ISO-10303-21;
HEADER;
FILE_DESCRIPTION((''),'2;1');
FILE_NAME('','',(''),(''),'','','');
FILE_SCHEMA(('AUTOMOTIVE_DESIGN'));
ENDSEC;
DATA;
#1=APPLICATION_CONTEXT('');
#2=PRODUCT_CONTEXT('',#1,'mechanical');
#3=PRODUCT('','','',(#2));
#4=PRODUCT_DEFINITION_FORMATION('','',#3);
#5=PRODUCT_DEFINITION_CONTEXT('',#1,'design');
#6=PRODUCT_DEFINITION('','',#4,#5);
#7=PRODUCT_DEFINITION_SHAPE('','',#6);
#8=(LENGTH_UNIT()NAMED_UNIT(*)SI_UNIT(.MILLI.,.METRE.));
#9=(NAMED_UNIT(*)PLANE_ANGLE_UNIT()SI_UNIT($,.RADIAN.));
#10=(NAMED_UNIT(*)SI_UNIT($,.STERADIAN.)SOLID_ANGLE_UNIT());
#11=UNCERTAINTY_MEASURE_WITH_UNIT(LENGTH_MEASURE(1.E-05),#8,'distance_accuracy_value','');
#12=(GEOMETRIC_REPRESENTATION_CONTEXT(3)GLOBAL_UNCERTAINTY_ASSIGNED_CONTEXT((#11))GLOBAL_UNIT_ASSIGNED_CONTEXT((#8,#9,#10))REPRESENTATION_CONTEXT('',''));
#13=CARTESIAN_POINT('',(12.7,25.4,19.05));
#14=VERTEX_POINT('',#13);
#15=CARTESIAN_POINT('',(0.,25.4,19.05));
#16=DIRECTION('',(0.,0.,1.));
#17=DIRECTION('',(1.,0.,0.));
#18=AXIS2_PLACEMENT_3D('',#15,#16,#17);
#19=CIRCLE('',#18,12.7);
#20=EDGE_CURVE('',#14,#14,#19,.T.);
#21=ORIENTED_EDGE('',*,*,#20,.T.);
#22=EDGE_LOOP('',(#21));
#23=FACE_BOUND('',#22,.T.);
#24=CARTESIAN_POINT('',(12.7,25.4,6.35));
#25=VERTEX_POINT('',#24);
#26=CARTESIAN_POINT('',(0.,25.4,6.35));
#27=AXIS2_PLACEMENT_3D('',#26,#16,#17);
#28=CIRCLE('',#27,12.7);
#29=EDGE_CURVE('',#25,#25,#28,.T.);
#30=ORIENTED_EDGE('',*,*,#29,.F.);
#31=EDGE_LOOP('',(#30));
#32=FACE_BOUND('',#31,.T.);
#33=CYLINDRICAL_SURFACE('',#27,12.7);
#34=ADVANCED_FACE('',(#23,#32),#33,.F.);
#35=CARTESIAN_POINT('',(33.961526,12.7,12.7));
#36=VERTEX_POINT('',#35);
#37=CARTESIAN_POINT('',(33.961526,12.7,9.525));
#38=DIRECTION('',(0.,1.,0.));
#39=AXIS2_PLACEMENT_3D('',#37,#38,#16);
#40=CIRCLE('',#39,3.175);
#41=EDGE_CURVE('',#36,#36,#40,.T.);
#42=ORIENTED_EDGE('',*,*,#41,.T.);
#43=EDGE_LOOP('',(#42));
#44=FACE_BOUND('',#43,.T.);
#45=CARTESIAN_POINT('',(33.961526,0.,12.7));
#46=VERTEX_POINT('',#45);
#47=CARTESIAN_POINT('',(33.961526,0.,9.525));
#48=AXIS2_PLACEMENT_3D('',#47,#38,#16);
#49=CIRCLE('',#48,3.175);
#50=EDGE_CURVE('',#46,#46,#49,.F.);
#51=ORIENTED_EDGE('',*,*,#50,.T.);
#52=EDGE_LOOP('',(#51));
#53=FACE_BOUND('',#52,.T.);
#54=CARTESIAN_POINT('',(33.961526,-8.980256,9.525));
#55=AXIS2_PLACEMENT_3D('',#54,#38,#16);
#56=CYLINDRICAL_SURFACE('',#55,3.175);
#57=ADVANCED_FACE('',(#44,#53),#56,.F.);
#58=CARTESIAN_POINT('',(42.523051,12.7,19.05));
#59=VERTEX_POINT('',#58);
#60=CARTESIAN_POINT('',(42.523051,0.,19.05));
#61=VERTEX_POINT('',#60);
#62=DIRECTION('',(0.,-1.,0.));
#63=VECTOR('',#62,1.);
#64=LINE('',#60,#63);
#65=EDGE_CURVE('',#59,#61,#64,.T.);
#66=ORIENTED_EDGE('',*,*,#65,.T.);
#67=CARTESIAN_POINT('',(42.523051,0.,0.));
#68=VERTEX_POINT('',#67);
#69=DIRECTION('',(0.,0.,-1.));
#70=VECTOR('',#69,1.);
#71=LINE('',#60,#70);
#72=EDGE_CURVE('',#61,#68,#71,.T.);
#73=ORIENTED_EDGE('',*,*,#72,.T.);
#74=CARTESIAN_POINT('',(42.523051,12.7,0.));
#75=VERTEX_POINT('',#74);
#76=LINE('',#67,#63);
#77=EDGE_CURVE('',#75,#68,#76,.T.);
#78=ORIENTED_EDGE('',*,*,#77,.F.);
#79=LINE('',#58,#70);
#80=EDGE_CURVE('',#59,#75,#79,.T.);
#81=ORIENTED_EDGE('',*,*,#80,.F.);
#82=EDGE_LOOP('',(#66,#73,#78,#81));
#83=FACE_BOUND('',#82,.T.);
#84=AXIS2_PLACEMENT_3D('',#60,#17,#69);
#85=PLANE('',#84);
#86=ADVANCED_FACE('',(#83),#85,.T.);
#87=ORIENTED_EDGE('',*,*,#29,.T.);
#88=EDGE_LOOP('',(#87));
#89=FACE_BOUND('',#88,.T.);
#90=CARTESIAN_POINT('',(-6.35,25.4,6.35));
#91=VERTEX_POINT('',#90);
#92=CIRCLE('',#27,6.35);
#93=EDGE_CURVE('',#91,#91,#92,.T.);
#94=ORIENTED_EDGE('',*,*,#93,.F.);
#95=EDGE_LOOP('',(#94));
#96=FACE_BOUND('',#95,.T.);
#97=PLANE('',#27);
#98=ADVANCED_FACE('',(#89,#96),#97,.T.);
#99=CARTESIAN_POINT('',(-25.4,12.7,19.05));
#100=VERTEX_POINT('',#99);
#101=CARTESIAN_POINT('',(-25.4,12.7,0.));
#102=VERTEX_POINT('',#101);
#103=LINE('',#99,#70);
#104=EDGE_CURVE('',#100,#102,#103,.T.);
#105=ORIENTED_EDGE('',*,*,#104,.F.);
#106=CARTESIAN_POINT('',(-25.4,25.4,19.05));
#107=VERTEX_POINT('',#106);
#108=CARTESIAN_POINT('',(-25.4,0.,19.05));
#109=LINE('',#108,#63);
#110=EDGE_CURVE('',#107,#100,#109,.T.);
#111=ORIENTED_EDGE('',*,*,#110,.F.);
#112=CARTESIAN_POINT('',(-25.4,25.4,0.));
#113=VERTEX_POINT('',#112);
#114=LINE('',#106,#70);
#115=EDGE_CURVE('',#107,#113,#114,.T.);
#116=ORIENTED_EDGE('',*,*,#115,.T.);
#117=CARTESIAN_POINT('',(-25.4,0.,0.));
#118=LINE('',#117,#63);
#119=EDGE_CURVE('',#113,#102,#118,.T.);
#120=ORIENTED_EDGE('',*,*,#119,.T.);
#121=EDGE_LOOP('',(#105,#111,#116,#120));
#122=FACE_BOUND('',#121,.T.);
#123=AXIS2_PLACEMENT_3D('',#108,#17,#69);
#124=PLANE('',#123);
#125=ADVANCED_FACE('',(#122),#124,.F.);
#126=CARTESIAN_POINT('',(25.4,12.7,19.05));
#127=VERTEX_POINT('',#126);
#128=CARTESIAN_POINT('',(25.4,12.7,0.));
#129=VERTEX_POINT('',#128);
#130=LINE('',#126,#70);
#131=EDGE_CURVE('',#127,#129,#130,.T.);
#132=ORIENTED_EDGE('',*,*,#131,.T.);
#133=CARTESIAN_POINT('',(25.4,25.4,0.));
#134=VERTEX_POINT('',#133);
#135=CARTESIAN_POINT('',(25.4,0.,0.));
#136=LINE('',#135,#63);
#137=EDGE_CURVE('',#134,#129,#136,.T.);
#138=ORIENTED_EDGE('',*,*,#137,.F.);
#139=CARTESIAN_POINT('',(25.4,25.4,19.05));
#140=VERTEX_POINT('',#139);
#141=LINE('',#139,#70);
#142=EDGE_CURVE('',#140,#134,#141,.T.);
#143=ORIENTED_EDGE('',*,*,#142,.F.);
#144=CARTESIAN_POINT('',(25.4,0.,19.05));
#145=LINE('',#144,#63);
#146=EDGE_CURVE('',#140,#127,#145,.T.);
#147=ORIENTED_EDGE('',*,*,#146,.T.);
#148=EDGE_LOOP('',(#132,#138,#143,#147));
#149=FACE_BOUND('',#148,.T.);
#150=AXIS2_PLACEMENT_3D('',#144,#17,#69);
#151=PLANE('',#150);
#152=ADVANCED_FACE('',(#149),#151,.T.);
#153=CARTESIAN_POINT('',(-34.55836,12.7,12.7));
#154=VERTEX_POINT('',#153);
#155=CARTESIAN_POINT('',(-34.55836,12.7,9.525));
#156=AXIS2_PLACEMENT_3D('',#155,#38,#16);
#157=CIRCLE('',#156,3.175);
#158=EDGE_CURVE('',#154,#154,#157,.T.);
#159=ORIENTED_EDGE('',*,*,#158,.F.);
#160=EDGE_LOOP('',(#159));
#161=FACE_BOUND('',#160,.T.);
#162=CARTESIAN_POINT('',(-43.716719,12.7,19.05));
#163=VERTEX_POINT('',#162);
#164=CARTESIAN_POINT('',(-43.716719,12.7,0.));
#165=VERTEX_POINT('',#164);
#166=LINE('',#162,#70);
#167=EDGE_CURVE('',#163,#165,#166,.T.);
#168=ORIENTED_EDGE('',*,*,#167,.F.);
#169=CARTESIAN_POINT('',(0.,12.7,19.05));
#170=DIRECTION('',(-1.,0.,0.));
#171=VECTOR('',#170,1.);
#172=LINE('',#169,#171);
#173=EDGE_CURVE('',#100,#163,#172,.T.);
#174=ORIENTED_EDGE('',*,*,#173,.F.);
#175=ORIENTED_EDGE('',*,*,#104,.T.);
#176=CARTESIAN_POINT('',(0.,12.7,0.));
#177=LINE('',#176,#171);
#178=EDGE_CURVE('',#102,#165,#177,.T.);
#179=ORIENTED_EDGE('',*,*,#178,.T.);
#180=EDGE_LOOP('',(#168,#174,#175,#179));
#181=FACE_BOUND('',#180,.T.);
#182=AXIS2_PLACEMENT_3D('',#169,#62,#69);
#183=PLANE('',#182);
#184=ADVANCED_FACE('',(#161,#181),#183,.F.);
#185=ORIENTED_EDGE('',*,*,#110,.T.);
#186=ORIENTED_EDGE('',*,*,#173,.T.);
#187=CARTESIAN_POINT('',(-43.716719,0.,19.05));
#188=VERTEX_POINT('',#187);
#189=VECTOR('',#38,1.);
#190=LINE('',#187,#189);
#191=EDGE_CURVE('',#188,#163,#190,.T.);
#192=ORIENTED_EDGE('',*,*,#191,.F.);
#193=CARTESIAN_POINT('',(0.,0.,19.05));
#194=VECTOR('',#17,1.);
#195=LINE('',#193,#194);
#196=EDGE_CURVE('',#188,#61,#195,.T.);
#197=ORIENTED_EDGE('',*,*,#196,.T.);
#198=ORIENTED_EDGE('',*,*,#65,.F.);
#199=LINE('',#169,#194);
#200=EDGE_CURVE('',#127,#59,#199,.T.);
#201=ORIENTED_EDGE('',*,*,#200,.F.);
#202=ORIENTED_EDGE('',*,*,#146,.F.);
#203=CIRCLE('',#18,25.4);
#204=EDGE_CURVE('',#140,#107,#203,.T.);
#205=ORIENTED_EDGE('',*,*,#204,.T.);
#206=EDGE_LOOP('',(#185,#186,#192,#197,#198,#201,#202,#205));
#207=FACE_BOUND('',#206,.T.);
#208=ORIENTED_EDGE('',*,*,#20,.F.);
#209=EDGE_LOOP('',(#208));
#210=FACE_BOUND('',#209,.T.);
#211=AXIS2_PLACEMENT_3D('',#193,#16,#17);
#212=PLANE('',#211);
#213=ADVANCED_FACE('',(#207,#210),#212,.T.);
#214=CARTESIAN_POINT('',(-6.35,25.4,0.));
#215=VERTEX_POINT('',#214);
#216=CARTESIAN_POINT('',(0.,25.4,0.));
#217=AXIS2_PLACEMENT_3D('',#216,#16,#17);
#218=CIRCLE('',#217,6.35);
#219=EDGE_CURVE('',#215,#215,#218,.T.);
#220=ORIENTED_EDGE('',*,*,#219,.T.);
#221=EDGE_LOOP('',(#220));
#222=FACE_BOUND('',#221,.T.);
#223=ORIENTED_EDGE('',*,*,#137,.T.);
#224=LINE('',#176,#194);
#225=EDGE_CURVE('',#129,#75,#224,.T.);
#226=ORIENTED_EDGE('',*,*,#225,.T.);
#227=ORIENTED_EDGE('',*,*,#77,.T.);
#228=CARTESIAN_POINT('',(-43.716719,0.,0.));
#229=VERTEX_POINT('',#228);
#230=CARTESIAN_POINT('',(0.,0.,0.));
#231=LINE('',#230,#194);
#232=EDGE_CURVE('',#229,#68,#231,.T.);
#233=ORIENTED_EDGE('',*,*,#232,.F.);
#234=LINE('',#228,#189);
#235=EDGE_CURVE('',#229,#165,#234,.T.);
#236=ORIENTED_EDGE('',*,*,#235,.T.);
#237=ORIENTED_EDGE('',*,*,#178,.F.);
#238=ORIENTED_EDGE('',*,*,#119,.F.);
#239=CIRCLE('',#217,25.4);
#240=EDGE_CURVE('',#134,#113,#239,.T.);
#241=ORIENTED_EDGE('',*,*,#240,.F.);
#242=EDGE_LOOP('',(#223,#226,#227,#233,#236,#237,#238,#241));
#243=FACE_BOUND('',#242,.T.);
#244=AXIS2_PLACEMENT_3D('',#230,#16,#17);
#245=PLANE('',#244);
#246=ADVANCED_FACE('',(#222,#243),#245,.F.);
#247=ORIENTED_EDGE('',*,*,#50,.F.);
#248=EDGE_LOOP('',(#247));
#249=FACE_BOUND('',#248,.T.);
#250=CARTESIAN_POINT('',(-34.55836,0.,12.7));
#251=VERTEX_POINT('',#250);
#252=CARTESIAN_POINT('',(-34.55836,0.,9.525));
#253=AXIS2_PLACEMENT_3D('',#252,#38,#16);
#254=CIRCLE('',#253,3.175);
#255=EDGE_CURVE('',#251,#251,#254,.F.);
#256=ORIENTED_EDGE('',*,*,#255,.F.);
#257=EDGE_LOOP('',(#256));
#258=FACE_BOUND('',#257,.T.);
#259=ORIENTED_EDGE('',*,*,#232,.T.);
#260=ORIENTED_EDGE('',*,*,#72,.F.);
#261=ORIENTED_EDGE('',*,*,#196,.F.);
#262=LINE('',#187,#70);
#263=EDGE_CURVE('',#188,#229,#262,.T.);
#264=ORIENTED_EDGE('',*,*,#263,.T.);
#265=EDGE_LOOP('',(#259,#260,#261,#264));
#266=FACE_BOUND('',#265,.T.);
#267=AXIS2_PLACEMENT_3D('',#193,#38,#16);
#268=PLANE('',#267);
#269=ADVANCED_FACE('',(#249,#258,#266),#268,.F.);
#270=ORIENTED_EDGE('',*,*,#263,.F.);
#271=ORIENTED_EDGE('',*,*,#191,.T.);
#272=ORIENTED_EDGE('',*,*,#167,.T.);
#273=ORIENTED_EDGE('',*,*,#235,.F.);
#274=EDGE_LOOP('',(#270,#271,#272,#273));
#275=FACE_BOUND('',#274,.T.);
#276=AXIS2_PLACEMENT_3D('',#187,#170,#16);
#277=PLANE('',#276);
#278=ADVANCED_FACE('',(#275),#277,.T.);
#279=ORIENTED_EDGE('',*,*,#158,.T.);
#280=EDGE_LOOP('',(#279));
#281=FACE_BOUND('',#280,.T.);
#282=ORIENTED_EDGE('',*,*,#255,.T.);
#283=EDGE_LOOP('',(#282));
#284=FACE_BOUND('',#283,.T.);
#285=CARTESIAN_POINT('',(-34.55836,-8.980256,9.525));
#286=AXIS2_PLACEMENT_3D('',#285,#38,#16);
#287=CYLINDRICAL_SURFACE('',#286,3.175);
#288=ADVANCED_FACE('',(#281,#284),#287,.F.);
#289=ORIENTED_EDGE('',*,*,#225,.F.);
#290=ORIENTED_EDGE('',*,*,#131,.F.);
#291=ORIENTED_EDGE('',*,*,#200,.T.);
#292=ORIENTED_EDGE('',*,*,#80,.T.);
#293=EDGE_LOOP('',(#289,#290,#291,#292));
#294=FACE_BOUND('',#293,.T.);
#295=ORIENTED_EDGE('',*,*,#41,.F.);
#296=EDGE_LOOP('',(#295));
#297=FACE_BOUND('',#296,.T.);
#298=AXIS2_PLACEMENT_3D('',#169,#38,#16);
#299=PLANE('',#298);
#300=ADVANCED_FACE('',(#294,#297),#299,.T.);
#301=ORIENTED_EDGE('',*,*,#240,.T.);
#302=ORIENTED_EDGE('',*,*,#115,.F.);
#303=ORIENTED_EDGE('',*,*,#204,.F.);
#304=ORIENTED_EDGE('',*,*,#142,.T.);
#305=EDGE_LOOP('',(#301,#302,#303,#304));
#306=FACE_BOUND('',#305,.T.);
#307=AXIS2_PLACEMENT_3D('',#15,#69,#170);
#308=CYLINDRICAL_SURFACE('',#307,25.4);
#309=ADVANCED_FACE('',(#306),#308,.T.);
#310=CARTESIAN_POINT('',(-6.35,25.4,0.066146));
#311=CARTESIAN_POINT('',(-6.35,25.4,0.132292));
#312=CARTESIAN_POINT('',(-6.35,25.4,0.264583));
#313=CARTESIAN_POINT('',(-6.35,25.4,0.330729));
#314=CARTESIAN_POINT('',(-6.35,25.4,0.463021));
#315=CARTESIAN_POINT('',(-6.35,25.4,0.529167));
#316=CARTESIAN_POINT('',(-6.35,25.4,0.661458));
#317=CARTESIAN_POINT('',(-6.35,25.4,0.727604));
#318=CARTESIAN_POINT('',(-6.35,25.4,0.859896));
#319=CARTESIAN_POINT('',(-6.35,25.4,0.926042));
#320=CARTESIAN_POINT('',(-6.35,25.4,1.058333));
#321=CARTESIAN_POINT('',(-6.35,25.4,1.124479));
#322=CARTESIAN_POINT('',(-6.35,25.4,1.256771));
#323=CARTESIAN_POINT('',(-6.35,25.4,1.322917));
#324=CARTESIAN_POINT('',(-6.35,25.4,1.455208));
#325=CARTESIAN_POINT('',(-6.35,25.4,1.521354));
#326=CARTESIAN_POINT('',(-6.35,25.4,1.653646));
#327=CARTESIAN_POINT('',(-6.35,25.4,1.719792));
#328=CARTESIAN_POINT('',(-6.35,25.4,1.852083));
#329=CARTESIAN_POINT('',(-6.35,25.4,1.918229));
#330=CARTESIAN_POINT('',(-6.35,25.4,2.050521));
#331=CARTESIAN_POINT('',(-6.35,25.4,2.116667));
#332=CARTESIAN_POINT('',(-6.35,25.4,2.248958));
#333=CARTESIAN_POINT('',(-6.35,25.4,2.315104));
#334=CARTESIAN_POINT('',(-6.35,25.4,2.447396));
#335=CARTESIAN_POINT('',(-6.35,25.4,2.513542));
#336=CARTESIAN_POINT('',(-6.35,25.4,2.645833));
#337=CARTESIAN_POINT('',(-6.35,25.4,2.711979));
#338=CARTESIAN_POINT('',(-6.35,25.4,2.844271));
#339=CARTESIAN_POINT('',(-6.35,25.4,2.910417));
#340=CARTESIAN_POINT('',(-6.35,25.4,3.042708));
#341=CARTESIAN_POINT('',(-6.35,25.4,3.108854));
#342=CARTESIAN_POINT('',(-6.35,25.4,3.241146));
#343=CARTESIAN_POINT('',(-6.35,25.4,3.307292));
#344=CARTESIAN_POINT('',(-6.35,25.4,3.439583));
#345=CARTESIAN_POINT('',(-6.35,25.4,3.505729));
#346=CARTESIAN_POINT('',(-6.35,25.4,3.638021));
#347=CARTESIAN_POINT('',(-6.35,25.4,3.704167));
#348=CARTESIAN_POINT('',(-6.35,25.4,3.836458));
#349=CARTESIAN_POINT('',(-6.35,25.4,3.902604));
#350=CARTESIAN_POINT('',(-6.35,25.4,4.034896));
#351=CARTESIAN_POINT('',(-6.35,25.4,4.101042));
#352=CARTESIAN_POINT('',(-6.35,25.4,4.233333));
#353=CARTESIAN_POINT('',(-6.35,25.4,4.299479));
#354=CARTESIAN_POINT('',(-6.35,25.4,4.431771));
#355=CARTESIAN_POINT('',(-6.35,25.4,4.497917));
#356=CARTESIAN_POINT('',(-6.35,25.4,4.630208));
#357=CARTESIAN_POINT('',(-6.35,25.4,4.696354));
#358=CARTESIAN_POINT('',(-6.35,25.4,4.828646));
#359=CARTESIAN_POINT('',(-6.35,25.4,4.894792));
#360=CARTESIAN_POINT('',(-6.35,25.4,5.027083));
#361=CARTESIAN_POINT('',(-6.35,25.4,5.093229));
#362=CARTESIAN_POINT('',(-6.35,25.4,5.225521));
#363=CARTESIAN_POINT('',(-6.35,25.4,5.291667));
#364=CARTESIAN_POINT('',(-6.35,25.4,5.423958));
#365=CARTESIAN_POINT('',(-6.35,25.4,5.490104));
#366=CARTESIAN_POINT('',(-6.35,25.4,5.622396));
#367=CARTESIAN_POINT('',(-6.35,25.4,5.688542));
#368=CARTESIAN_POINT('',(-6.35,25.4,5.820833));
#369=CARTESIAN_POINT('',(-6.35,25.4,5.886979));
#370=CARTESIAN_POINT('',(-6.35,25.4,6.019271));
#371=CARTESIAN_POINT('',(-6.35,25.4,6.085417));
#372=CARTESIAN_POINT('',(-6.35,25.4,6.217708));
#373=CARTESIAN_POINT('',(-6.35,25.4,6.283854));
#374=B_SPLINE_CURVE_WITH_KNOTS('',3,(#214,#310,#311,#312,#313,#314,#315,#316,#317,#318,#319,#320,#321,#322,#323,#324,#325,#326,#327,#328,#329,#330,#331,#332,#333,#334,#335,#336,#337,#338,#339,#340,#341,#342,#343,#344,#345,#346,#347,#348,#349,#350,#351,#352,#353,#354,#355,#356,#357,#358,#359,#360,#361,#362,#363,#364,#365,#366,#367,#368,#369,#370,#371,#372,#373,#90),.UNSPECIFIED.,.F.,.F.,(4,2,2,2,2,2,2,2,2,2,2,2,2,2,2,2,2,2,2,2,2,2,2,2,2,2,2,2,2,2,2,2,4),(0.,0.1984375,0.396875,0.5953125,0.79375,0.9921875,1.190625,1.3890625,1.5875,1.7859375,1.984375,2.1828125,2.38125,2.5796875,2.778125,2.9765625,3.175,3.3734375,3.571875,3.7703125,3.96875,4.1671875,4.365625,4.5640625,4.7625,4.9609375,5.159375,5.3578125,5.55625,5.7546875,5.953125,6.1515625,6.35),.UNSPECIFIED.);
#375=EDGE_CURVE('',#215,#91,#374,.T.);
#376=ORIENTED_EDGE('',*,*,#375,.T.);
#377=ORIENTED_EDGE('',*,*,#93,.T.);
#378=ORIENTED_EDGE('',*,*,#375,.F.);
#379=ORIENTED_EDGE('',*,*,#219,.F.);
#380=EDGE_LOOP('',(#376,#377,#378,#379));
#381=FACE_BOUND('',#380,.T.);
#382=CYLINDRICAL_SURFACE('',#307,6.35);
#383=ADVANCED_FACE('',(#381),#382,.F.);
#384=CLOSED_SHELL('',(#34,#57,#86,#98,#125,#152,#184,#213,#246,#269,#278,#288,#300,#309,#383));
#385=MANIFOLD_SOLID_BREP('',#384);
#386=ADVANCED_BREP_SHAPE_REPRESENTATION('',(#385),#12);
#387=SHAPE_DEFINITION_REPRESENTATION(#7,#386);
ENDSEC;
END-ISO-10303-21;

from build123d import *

# Parameters (mm, degrees)
SKETCH1_R           = 6.35
SKETCH1_W           = 18.316719234
SKETCH1_H           = 12.7
SKETCH1_W_2         = 17.123051237
BOSS_EXTRUDE1_DEPTH = 19.05
SKETCH2_R           = 12.7
CUT_EXTRUDE1_DEPTH  = 12.7
SKETCH3_R           = 3.175
CUT_EXTRUDE2_DEPTH  = 12.7


with BuildPart() as part:
    # Sketch1 → Boss-Extrude1 (new body)
    # profile 1 of 3: a face of its own
    with BuildSketch(Plane.XY):
        with BuildLine():
            Line((25.4, 25.4), (25.4, 0))
            Line((25.4, 0), (-25.4, 0))
            Line((-25.4, 0), (-25.4, 25.4))
            ThreePointArc((-25.4, 25.4), (0, 50.8), (25.4, 25.4))
        make_face()
        with Locations(Location((0, 25.4, 0), (0, 0, 180))):
            Circle(SKETCH1_R, mode=Mode.SUBTRACT)
    # profile 2 of 3: a face of its own
    with BuildSketch(Plane.XY):
        with Locations((-34.558359617, 6.35)):
            Rectangle(SKETCH1_W, SKETCH1_H)
    # profile 3 of 3: a face of its own
    with BuildSketch(Plane.XY):
        with Locations((33.961525619, 6.35)):
            Rectangle(SKETCH1_W_2, SKETCH1_H)
    extrude(amount=BOSS_EXTRUDE1_DEPTH)

    # Sketch2 → Cut-Extrude1 (cut)
    with BuildSketch(Plane.XY.offset(19.05)):
        with Locations((0, 25.4)):
            Circle(SKETCH2_R)
    extrude(amount=-CUT_EXTRUDE1_DEPTH, mode=Mode.SUBTRACT)

    # Sketch3 → Cut-Extrude2 (cut)
    with BuildSketch(Plane(origin=(0, 12.7, 0), x_dir=(1, 0, 0), z_dir=(0, 1, 0))):
        with Locations(Location((-34.558359617, -9.525, 0), (0, 0, 270))):
            Circle(SKETCH3_R)
        with Locations(Location((33.961525618, -9.525, 0), (0, 0, 270))):
            Circle(SKETCH3_R)
    extrude(amount=-CUT_EXTRUDE2_DEPTH, mode=Mode.SUBTRACT)


solid = part.part
